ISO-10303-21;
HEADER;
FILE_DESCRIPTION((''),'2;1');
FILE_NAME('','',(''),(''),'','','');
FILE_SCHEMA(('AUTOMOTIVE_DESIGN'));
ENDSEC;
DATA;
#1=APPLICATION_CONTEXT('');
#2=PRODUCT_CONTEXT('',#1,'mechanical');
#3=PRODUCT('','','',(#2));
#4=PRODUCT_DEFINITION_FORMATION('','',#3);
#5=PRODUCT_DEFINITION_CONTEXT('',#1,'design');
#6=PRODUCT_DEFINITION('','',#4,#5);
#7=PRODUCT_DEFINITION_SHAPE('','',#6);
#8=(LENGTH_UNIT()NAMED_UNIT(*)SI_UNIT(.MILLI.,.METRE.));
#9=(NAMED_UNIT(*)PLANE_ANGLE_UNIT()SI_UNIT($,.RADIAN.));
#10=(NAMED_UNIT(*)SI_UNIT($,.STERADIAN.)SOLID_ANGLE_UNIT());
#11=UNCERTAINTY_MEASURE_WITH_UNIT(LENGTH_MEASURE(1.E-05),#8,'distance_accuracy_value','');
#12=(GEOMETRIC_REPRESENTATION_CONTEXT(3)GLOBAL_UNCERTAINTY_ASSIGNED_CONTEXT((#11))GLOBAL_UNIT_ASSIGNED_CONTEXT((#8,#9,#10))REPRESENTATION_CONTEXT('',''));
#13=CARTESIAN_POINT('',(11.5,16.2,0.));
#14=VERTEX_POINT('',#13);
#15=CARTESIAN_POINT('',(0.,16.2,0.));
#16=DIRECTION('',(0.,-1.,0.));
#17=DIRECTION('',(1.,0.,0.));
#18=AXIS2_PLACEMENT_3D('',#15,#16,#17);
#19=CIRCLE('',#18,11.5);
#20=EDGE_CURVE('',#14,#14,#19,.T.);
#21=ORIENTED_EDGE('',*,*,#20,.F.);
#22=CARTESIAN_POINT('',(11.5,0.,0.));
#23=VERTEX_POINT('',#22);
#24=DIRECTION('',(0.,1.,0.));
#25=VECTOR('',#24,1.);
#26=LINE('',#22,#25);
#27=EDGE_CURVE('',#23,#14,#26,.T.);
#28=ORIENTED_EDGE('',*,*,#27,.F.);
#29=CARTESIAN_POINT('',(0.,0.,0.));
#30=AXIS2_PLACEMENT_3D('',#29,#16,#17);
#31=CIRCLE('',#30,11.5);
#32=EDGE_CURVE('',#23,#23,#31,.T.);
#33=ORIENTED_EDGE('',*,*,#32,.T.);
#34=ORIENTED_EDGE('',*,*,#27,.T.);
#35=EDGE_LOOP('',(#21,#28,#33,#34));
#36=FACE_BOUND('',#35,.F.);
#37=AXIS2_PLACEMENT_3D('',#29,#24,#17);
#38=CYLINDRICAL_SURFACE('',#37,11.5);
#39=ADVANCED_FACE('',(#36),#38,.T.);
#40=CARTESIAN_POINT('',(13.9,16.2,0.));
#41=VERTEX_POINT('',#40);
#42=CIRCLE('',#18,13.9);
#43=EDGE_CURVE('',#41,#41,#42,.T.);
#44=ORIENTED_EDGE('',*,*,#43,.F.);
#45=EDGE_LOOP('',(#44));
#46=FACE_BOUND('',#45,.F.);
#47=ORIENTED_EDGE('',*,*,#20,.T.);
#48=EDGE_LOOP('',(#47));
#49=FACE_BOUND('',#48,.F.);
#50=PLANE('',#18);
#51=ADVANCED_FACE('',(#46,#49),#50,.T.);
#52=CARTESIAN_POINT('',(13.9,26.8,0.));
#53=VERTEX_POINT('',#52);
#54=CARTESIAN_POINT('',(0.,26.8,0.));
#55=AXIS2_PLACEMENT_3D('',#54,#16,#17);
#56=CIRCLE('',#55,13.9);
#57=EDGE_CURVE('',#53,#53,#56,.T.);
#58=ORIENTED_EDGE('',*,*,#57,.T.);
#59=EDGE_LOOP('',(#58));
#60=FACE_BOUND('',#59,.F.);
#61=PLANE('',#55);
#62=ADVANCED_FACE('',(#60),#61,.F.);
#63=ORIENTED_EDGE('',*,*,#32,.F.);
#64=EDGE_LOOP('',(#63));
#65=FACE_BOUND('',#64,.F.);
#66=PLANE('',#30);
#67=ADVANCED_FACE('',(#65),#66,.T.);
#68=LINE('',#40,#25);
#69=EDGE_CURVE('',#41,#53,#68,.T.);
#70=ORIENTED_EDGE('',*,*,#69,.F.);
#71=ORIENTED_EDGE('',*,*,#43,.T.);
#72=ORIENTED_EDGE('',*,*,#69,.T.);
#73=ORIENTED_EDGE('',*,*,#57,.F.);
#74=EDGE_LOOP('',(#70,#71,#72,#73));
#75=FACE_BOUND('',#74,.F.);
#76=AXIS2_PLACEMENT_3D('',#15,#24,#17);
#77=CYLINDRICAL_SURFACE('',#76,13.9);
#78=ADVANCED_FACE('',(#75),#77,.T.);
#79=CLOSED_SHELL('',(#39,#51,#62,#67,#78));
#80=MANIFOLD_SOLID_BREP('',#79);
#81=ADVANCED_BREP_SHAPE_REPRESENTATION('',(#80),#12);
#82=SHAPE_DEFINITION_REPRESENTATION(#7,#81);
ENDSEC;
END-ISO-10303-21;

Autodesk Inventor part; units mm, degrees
ref_plane "YZ Plane" through (0, 0, 0) normal (1, 0, 0) x (0, 1, 0)
ref_plane "XZ Plane" through (0, 0, 0) normal (0, 1, 0) x (-1, 0, 0)
ref_plane "XY Plane" through (0, 0, 0) normal (0, 0, 1) x (1, 0, 0)
sketch "Sketch1" plane through (0, 0, 0) normal (0, 0, 1) x (1, 0, 0)
  line L0 (0, 0) -> (11.5, 0)
  line L1 (11.5, 0) -> (11.5, 16.2)
  line L2 (11.5, 16.2) -> (13.9, 16.2)
  line L3 (13.9, 16.2) -> (13.9, 26.8)
  line L4 (13.9, 26.8) -> (0, 26.8)
  line L5 (0, 26.8) -> (0, 0)
  dimension "d0" = 11.5
  dimension "d1" = 16.2
  dimension "d2" = 2.4
  dimension "d3" = 10.6
revolve "Revolution1" add sketch "Sketch1" angle 360 about axis through (0, 26.8, 0) along (0, -1, 0)
properties part number "00_Eyepiece_20x_WF"
